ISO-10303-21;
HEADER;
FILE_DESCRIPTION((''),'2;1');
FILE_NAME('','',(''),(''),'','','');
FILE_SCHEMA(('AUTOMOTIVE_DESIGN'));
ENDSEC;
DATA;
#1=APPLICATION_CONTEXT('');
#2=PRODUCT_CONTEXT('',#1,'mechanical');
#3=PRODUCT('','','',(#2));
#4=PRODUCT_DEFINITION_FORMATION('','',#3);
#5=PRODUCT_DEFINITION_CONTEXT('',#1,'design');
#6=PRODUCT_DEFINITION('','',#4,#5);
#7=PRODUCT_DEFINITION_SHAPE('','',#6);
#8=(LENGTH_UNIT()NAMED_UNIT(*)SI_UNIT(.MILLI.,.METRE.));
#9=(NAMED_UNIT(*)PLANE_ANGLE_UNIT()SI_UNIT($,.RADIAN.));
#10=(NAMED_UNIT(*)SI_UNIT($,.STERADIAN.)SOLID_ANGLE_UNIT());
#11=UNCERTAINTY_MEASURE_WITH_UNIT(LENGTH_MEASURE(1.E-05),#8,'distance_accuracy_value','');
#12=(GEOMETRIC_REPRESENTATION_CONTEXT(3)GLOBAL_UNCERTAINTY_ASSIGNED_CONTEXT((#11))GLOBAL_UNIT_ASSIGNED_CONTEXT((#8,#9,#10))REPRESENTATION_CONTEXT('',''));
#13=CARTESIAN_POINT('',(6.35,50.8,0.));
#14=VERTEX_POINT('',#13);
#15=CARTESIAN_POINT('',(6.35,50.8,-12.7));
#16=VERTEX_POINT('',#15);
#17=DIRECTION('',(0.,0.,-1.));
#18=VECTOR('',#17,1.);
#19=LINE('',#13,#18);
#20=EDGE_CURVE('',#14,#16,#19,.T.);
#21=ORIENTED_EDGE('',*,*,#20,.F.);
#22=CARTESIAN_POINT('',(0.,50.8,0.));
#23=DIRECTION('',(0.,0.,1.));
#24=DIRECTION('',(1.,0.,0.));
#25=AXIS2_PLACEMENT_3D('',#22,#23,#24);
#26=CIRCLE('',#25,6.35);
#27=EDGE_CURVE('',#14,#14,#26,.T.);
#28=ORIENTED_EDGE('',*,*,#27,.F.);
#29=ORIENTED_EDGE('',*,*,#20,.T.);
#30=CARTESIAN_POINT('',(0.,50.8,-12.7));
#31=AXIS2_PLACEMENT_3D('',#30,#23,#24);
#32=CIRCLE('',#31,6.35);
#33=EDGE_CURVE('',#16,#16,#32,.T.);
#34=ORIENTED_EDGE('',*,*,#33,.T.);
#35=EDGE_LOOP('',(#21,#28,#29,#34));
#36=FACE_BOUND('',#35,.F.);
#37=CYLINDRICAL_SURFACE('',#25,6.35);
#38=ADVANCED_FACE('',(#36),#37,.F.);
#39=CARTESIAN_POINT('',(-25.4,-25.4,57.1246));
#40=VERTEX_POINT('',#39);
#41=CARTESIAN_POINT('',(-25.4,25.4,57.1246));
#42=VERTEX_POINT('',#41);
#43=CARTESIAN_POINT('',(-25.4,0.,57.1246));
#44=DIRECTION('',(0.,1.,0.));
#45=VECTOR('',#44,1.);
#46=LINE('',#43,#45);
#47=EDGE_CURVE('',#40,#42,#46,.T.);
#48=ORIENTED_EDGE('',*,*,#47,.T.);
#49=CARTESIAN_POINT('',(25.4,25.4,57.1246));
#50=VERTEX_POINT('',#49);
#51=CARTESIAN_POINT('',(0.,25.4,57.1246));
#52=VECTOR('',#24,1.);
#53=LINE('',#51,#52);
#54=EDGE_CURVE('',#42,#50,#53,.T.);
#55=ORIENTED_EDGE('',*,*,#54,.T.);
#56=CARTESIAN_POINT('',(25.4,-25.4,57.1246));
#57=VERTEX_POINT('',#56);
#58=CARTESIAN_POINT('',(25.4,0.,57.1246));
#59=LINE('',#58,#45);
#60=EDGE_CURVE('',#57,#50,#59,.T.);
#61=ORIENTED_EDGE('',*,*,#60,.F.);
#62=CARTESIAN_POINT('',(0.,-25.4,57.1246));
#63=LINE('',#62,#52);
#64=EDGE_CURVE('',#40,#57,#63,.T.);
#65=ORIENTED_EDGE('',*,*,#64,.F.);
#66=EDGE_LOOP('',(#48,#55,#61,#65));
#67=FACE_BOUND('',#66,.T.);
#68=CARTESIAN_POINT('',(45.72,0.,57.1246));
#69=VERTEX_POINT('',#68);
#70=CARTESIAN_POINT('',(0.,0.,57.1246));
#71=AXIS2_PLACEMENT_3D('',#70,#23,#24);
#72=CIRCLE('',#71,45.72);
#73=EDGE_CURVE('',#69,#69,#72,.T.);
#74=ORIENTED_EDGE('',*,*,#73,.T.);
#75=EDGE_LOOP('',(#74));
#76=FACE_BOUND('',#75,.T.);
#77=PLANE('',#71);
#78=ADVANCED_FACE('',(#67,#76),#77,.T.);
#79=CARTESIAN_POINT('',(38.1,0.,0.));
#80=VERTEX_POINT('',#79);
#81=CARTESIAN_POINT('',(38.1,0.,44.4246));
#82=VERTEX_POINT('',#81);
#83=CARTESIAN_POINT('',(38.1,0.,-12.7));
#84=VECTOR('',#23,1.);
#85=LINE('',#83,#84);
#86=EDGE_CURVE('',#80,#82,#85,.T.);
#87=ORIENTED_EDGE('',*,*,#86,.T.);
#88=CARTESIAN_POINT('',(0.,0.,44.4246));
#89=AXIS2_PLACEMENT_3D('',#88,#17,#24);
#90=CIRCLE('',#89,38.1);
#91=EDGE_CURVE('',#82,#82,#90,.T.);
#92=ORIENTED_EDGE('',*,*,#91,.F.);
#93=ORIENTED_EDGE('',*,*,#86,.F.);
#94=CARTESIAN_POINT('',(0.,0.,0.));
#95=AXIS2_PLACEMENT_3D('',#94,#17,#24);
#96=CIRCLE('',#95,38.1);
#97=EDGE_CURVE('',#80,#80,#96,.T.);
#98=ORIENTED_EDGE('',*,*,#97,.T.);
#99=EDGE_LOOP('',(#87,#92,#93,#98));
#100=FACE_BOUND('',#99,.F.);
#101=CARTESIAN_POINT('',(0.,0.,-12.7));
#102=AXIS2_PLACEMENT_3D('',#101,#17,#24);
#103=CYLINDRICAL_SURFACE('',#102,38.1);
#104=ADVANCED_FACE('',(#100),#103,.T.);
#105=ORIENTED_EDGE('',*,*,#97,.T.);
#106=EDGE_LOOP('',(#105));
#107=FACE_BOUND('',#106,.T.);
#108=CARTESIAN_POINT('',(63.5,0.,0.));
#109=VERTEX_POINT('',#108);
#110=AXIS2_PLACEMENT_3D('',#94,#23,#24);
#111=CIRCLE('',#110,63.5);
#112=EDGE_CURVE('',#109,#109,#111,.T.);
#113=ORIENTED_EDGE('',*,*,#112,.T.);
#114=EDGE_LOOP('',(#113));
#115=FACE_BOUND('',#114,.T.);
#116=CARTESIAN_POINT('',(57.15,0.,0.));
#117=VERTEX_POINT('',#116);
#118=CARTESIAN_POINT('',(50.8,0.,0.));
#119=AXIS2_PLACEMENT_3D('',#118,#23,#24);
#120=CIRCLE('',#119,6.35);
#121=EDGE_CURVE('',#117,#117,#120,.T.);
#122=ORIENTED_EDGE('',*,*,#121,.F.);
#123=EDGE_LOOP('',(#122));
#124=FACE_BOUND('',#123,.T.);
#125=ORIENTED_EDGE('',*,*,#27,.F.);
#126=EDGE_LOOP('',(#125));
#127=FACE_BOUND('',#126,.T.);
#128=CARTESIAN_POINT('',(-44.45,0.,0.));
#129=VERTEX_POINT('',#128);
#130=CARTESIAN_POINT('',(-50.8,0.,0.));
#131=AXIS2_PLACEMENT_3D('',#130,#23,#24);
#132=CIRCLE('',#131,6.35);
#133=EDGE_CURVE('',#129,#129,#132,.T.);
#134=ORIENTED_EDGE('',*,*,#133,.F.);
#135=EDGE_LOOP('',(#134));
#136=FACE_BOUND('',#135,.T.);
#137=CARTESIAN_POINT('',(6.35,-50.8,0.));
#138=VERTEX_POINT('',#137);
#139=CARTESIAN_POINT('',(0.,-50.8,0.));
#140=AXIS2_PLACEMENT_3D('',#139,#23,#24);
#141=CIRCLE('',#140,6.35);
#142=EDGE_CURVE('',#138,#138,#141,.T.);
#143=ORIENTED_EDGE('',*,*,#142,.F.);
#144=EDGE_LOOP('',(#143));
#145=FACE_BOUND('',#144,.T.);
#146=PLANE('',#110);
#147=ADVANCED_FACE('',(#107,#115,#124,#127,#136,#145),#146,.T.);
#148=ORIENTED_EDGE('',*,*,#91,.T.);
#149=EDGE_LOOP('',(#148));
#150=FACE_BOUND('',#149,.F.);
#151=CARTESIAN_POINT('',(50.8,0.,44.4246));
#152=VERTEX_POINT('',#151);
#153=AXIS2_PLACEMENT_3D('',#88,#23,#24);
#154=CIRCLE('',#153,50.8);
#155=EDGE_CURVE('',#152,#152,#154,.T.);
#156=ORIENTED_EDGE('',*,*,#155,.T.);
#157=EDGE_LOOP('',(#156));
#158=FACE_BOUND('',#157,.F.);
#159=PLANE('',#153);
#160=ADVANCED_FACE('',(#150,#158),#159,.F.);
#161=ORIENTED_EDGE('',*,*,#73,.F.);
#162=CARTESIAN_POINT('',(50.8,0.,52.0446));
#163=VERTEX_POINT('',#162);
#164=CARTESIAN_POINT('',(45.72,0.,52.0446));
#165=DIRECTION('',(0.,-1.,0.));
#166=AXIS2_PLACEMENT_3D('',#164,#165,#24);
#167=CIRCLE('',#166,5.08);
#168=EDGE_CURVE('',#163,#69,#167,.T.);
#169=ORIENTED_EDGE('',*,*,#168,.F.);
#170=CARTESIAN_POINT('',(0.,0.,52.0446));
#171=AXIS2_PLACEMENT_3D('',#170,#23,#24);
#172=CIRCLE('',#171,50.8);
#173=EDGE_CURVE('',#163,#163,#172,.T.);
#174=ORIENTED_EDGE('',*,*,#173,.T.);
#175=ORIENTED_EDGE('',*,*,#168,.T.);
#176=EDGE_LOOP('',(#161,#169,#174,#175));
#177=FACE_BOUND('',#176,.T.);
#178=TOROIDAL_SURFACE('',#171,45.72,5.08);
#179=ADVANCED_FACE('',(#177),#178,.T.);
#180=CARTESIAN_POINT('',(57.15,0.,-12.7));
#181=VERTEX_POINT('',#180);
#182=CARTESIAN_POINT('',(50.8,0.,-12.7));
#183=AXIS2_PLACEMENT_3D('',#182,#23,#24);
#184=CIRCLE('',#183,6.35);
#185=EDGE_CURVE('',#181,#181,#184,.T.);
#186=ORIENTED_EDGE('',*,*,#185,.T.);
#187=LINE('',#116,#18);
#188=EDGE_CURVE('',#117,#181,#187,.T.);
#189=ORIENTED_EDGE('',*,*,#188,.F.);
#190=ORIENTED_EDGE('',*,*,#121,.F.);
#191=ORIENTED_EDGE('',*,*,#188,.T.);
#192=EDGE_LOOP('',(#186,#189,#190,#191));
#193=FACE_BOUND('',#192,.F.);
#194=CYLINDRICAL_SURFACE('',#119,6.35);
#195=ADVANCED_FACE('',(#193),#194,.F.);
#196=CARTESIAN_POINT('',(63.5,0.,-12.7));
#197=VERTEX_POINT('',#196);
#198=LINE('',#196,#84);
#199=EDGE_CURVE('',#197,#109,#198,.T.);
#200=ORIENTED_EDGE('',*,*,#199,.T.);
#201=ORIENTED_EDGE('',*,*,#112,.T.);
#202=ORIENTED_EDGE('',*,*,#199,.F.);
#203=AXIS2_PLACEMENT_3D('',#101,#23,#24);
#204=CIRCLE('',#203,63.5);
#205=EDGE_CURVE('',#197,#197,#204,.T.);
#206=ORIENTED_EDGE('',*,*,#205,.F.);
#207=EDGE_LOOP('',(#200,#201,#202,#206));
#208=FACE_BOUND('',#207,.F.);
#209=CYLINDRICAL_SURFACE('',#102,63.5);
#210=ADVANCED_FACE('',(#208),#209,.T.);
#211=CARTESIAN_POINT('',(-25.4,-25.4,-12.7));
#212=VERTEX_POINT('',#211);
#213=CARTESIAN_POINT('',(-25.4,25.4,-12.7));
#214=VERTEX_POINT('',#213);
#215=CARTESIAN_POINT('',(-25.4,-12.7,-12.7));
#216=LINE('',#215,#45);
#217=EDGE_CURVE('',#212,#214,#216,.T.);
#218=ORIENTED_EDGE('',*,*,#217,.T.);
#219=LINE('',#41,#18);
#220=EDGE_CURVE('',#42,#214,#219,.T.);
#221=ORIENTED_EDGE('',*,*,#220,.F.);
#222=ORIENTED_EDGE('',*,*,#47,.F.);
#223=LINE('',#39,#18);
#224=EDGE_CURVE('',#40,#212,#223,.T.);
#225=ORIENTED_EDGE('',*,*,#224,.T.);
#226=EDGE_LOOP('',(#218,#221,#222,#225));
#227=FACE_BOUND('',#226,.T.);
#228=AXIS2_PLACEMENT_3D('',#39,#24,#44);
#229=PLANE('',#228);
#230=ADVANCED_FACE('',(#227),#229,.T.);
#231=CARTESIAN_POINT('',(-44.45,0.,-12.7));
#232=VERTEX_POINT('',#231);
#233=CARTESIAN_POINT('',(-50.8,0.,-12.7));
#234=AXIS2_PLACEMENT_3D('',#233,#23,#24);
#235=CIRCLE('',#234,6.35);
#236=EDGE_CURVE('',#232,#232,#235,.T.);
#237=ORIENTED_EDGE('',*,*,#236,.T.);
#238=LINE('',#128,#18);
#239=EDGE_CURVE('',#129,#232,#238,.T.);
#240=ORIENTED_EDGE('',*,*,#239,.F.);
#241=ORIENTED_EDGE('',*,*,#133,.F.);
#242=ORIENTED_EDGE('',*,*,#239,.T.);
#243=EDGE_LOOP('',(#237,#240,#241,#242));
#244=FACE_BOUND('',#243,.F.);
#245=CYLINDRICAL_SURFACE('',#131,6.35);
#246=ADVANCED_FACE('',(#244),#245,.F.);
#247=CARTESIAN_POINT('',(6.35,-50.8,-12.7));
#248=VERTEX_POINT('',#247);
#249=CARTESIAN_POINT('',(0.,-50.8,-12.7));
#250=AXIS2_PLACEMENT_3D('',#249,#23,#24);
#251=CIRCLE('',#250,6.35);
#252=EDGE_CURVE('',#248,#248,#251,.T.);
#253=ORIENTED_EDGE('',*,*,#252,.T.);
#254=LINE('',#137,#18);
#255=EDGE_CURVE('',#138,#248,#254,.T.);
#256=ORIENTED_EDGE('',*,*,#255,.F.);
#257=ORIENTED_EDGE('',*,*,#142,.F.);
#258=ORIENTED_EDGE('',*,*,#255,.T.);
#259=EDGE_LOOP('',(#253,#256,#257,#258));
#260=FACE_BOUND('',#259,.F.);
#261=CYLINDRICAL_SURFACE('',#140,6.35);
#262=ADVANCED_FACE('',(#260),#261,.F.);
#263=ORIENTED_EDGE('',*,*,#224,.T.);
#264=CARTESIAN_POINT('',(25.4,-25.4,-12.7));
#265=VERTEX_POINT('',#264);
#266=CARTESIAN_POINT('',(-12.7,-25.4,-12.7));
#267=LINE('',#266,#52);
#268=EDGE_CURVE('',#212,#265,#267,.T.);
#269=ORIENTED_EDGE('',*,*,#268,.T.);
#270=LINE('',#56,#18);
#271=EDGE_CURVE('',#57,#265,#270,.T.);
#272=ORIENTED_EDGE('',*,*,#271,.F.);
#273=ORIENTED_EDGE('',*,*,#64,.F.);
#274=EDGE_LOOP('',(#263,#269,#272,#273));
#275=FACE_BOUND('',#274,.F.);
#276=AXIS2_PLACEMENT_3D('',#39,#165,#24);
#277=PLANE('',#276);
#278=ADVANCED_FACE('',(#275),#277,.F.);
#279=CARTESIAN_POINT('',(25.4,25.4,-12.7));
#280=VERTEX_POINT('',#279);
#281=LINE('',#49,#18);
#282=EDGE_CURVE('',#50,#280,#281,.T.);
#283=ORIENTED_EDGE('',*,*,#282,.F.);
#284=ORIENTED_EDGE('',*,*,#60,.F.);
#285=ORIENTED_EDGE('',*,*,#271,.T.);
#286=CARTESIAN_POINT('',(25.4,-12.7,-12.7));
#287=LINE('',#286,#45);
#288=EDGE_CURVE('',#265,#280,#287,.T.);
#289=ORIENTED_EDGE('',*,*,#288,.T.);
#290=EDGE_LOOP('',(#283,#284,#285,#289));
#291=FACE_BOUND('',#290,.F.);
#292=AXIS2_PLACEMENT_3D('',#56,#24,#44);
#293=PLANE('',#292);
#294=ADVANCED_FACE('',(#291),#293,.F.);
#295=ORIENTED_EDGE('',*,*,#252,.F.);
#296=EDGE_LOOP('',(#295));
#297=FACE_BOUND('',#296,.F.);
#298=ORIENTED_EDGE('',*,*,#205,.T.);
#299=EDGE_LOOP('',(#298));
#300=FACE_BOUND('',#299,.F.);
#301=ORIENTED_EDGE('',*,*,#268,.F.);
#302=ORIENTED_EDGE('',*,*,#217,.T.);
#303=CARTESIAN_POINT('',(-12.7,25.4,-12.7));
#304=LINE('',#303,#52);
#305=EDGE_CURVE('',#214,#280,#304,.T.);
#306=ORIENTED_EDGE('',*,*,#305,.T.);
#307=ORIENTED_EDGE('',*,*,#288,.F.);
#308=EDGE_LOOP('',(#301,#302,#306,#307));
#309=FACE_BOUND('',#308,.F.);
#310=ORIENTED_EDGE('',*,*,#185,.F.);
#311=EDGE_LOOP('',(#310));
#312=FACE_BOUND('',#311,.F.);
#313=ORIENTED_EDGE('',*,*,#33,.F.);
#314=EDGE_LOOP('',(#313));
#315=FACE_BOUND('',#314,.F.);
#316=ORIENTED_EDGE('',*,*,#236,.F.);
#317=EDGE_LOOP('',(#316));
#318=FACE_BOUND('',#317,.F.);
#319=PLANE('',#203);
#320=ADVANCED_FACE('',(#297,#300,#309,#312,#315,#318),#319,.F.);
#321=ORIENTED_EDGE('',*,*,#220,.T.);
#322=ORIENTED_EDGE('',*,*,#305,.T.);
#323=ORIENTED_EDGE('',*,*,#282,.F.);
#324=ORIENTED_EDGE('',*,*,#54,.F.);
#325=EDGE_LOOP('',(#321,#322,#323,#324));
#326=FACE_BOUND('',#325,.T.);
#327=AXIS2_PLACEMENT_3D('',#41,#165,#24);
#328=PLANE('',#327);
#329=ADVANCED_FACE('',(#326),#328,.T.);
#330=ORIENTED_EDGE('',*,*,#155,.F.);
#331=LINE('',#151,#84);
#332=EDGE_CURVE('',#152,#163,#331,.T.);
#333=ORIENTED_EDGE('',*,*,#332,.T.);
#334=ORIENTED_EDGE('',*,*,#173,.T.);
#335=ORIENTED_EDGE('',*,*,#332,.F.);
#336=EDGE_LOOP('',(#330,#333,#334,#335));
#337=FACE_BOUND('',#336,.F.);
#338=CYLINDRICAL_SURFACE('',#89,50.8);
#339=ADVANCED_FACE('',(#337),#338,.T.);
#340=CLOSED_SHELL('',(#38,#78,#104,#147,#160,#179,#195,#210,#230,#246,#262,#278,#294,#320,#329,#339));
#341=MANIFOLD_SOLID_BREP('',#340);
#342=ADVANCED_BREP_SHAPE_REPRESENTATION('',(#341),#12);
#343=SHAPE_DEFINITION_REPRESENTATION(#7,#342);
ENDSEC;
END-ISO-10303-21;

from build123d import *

# Parameters (mm, degrees)
F0_R      = 63.5
F1_DEPTH  = 12.7
F2_R      = 38.1
F3_DEPTH  = 57.15
F5_R      = 50.8
F6_DEPTH  = 12.7
F8_W      = 50.8
F8_H      = 50.8
F9_DEPTH  = 82.55
F10_R     = 5.08
F12_R     = 6.35
F13_DEPTH = 25.4


with BuildPart() as f1:
    # F0 (on Top) → F1 (new body)
    with BuildSketch(Plane.XY):
        Circle(F0_R)
    extrude(amount=F1_DEPTH)

    # F2 (on Top) → F3 (join)
    with BuildSketch(Plane.XY):
        Circle(F2_R)
    extrude(amount=F3_DEPTH)


with BuildPart() as f1_1:
    # F4: moved
    add(f1.part.moved(Location((0, 0, -57.1246))))

    # F5 (on Top) → F6 (join)
    with BuildSketch(Plane.XY):
        Circle(F5_R)
    extrude(amount=F6_DEPTH)


with BuildPart() as f1_2:
    # F7: moved
    add(f1_1.part.moved(Location((0, 0, -12.7))))

    # F8 (on Top) → F9 (cut)
    with BuildSketch(Plane.XY):
        Rectangle(F8_W, F8_H)
    extrude(amount=-F9_DEPTH, mode=Mode.SUBTRACT)

    # F10
    f10_edges = [f1_2.edges().sort_by_distance(p)[0] for p in [
        (-50.8, 0, 0),
    ]]
    fillet(f10_edges, radius=F10_R)


with BuildPart() as f1_3:
    # F11: moved
    add(f1_2.part.moved(Location((0, 0, 57.1246))))

    # F12 (on Top) → F13 (cut)
    with BuildSketch(Plane.XY):
        with Locations((0, -50.8)):
            Circle(F12_R)
        with Locations((50.8, 0)):
            Circle(F12_R)
        with Locations((0, 50.8)):
            Circle(F12_R)
        with Locations((-50.8, 0)):
            Circle(F12_R)
    extrude(amount=-F13_DEPTH, mode=Mode.SUBTRACT)


solid = f1_3.part
